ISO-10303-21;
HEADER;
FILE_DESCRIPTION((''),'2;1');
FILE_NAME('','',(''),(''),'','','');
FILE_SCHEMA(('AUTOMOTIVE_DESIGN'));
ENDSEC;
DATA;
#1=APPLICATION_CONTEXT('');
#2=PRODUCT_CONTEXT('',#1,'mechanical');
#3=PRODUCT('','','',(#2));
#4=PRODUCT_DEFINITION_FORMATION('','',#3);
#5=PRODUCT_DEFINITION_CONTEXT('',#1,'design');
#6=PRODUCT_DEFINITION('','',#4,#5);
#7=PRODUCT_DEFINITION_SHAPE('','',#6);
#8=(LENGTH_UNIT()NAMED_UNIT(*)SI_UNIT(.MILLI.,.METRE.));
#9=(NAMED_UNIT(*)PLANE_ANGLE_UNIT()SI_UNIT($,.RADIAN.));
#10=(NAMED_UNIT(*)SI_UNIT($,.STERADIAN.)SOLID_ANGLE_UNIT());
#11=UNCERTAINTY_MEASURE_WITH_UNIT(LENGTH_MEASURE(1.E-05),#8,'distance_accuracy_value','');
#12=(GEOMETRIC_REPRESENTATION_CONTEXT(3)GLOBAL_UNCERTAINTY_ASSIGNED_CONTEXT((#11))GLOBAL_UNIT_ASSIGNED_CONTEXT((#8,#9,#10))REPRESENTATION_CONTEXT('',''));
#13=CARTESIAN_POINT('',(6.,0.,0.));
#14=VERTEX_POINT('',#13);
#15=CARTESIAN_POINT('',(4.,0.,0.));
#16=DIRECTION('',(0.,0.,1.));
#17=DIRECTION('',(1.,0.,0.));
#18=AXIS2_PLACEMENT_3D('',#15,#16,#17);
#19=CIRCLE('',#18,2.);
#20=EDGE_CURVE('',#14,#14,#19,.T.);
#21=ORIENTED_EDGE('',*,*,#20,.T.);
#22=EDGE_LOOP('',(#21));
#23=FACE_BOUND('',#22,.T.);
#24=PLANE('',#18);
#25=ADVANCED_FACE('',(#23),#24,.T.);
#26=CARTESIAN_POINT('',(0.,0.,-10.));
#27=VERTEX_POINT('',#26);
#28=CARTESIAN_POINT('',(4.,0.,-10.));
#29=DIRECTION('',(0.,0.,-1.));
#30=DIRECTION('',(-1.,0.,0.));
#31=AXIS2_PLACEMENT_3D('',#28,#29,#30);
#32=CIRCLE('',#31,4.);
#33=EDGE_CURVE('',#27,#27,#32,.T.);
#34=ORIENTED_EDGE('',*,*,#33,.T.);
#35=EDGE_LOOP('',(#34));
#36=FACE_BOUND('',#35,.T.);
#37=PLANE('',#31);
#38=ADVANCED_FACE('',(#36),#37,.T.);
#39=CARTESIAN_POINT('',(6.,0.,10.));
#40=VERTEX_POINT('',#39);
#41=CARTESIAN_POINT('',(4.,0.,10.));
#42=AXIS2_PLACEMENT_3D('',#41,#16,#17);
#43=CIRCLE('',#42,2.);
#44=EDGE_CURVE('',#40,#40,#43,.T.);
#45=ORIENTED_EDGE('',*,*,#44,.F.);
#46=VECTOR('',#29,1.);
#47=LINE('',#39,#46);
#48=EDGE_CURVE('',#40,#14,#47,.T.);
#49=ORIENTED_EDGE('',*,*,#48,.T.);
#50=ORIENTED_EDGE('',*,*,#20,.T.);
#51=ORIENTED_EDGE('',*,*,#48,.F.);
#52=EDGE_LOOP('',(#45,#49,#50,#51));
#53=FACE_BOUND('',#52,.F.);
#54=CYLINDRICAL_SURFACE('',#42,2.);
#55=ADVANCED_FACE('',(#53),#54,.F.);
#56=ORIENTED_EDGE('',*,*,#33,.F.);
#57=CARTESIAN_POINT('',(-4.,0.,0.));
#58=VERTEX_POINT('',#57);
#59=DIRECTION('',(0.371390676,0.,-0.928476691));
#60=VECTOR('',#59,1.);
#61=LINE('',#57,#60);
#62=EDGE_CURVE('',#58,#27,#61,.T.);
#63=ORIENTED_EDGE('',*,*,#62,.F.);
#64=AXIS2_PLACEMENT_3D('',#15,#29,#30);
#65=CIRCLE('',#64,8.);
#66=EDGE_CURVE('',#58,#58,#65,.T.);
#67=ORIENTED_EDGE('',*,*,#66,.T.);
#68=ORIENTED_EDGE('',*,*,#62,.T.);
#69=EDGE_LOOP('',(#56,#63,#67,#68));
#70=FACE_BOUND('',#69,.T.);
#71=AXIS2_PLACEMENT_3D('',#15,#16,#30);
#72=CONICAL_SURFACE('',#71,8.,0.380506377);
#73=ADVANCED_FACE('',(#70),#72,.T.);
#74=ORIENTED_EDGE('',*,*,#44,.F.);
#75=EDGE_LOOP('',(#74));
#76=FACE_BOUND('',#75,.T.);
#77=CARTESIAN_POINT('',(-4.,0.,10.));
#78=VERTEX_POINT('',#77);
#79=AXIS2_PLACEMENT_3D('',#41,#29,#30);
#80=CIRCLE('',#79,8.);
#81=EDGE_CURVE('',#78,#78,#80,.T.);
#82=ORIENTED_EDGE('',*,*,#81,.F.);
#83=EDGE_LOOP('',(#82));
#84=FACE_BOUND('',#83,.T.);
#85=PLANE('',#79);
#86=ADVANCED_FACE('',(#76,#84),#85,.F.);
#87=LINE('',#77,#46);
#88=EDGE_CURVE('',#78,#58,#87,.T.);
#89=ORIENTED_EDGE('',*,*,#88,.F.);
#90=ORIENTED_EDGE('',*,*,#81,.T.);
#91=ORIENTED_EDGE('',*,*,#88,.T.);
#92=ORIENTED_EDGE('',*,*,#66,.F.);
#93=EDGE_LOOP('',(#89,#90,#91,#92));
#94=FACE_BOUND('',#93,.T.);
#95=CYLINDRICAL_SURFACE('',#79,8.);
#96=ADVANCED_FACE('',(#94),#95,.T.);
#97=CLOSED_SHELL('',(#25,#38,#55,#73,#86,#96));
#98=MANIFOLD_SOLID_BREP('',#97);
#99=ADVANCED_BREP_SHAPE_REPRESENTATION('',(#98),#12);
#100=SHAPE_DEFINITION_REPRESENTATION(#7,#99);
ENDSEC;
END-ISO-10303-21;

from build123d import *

# Parameters (mm, degrees)
F2_R     = 2
F3_DEPTH = 10


with BuildPart() as f1:
    # F0 (on Front) → F1 (revolve)
    with BuildSketch(Plane.XZ):
        Polygon((4, 10), (-4, 10), (-4, 0), (0, -10), (4, -10), align=None)
    revolve(axis=Axis((4, 0, 0), (0, 0, -1)))

    # F2 (on face) → F3 (cut)
    with BuildSketch(Plane.XY.offset(10)):
        with Locations((4, 0)):
            Circle(F2_R)
    extrude(amount=-F3_DEPTH, mode=Mode.SUBTRACT)


solid = f1.part
